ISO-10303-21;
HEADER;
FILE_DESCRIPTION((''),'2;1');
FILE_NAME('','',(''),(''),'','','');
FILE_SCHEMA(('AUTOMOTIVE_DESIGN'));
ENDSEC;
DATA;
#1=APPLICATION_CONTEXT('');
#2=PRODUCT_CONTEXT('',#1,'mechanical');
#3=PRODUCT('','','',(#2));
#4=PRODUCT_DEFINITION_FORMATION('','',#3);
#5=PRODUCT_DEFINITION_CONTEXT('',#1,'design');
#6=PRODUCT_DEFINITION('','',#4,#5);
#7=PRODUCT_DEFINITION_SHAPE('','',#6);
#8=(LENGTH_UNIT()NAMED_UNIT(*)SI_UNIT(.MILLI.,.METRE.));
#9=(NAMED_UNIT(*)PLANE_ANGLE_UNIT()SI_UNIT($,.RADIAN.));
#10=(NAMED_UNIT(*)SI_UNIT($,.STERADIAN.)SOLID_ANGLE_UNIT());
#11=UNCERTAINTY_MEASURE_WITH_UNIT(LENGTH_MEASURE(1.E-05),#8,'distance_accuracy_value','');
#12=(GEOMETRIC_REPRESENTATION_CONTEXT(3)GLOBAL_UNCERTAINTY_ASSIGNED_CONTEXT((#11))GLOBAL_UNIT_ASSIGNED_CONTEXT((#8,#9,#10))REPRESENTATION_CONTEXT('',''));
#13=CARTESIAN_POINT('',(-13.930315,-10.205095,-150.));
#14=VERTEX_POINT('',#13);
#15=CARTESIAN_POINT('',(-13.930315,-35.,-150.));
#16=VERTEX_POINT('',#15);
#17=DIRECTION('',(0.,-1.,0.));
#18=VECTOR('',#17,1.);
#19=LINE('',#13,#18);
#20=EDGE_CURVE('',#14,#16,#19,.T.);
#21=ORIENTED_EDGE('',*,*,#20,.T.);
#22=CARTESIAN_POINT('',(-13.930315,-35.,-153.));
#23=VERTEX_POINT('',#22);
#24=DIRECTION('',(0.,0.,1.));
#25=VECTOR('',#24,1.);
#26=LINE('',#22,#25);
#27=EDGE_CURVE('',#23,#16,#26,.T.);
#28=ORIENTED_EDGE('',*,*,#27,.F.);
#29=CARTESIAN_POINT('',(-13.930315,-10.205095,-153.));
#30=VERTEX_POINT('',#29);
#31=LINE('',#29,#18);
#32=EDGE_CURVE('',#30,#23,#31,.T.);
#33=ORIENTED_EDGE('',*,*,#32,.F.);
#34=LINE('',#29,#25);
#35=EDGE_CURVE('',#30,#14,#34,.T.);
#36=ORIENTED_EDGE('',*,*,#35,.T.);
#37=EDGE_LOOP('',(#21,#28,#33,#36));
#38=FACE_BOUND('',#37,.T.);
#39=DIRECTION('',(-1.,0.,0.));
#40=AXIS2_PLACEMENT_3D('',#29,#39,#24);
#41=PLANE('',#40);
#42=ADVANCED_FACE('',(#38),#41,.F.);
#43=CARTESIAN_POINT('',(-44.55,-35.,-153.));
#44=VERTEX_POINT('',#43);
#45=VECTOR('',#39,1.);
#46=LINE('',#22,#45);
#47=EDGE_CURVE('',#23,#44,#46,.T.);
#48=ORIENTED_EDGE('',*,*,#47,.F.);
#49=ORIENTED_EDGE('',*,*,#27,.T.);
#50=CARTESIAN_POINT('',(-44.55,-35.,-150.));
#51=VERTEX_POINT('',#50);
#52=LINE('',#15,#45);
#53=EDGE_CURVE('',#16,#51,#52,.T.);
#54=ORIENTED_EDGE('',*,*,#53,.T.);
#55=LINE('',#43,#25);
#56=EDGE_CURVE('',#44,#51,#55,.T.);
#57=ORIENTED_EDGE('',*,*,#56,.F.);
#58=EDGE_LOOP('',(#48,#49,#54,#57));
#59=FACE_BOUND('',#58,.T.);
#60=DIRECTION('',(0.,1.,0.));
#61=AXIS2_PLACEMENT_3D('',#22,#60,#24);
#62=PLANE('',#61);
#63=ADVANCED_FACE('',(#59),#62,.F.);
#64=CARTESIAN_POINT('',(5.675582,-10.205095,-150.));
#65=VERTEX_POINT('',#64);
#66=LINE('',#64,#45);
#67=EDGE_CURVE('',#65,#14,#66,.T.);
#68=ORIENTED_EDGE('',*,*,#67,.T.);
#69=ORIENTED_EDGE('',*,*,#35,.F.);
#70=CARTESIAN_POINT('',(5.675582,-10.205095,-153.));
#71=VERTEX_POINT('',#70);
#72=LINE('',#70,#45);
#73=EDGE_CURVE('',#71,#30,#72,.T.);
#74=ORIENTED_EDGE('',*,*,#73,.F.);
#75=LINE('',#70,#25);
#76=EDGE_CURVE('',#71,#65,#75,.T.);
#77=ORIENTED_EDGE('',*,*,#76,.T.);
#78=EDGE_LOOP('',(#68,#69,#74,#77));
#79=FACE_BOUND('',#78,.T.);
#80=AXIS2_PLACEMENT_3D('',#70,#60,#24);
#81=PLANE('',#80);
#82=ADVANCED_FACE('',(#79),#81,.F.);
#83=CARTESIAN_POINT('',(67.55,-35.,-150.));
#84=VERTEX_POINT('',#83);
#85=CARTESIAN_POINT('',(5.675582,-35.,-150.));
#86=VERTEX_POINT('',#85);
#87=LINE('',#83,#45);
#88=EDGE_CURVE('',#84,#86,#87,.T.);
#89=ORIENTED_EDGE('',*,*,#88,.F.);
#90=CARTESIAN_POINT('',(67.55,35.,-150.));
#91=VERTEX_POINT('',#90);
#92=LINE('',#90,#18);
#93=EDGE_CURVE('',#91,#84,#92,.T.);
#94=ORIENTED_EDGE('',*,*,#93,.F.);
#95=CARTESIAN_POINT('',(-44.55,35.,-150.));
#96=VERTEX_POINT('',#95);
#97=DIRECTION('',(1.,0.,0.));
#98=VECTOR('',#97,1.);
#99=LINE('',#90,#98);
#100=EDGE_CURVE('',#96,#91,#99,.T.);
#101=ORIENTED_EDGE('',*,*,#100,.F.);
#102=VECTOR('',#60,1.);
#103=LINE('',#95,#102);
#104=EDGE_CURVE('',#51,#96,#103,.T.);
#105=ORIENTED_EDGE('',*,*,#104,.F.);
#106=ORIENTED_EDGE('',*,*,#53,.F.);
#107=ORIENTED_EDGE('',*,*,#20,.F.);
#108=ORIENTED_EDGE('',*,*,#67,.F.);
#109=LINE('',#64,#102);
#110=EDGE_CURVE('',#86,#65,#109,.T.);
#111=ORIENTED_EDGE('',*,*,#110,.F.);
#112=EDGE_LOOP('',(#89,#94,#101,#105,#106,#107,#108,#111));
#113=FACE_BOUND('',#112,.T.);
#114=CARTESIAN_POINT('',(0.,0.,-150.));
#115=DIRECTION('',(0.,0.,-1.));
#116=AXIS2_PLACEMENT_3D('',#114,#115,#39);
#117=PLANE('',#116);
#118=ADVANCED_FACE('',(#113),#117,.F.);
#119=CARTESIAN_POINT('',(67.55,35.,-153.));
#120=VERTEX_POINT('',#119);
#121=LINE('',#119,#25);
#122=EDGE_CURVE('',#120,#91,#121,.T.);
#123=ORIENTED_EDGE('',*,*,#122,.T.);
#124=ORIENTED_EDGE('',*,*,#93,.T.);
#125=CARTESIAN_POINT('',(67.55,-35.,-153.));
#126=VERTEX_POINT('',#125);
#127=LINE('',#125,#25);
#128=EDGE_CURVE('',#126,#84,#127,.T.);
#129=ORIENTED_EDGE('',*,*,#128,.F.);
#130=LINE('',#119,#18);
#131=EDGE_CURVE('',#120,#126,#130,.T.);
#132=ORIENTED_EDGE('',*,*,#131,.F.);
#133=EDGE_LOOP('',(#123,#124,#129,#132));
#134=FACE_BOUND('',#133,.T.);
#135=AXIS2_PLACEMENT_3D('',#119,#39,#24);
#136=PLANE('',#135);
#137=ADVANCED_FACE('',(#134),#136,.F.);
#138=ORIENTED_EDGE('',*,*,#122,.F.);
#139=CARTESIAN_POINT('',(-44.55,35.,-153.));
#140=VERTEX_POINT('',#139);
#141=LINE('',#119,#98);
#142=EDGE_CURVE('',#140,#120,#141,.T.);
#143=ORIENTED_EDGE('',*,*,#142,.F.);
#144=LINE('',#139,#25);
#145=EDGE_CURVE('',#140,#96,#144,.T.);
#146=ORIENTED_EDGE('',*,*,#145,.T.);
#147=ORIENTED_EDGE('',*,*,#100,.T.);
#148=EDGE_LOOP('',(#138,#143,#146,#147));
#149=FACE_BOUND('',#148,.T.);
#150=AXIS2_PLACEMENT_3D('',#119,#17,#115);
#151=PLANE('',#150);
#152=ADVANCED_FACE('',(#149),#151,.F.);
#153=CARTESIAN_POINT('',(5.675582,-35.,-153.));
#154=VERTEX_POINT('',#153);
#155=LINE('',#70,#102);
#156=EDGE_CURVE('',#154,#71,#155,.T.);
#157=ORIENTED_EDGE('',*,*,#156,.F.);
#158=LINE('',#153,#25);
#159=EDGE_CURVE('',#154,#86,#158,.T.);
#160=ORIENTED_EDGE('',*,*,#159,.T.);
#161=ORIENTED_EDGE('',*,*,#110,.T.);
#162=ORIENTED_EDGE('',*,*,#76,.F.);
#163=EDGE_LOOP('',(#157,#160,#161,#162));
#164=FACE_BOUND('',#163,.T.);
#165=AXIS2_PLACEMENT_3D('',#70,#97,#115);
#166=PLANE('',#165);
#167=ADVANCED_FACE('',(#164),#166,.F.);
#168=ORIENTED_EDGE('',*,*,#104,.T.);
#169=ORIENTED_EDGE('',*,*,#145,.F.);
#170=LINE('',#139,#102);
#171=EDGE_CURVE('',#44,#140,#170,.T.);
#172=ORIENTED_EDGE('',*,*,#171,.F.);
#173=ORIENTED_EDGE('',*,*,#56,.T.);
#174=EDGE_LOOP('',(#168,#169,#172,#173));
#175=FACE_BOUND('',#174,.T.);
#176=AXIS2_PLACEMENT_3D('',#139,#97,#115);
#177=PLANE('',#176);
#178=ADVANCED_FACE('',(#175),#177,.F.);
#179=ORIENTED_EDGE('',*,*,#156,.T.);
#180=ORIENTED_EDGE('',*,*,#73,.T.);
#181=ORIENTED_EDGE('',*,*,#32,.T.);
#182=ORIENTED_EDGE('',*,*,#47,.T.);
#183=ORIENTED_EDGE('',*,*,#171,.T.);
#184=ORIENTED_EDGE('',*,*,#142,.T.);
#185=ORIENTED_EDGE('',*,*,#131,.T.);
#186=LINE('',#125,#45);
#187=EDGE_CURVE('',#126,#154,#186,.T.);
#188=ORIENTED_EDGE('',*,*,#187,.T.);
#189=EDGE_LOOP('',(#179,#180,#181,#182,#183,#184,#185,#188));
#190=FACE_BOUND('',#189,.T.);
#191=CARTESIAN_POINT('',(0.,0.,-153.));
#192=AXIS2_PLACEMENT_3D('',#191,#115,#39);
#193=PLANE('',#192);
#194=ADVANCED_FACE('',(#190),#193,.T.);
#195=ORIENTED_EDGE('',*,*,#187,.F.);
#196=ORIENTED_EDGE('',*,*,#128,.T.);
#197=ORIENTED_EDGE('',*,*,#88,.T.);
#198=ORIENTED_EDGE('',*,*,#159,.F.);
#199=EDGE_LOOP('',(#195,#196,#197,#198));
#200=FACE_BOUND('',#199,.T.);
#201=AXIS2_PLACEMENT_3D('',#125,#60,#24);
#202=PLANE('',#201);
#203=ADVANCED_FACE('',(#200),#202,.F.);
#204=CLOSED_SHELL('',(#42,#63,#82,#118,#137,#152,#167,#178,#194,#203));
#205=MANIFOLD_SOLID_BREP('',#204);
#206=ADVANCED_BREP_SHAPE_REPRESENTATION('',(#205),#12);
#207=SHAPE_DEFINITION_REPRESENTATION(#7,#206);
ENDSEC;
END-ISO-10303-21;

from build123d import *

# Parameters (mm, degrees)
RESSALTO_EXTRUS_O1_DEPTH = 3


with BuildPart() as part:
    # Esboço2 → Ressalto-extrusão1 (new body)
    with BuildSketch(Plane(origin=(0, 0, -150), x_dir=(-1, 0, 0), z_dir=(0, 0, -1))):
        Polygon((13.930315354, -35), (44.55, -35), (44.55, 35), (-67.55, 35), (-67.55, -35), (-5.675581899, -35), (-5.675581899, -10.205094859), (13.930315354, -10.205094859), align=None)
    extrude(amount=RESSALTO_EXTRUS_O1_DEPTH)


solid = part.part
